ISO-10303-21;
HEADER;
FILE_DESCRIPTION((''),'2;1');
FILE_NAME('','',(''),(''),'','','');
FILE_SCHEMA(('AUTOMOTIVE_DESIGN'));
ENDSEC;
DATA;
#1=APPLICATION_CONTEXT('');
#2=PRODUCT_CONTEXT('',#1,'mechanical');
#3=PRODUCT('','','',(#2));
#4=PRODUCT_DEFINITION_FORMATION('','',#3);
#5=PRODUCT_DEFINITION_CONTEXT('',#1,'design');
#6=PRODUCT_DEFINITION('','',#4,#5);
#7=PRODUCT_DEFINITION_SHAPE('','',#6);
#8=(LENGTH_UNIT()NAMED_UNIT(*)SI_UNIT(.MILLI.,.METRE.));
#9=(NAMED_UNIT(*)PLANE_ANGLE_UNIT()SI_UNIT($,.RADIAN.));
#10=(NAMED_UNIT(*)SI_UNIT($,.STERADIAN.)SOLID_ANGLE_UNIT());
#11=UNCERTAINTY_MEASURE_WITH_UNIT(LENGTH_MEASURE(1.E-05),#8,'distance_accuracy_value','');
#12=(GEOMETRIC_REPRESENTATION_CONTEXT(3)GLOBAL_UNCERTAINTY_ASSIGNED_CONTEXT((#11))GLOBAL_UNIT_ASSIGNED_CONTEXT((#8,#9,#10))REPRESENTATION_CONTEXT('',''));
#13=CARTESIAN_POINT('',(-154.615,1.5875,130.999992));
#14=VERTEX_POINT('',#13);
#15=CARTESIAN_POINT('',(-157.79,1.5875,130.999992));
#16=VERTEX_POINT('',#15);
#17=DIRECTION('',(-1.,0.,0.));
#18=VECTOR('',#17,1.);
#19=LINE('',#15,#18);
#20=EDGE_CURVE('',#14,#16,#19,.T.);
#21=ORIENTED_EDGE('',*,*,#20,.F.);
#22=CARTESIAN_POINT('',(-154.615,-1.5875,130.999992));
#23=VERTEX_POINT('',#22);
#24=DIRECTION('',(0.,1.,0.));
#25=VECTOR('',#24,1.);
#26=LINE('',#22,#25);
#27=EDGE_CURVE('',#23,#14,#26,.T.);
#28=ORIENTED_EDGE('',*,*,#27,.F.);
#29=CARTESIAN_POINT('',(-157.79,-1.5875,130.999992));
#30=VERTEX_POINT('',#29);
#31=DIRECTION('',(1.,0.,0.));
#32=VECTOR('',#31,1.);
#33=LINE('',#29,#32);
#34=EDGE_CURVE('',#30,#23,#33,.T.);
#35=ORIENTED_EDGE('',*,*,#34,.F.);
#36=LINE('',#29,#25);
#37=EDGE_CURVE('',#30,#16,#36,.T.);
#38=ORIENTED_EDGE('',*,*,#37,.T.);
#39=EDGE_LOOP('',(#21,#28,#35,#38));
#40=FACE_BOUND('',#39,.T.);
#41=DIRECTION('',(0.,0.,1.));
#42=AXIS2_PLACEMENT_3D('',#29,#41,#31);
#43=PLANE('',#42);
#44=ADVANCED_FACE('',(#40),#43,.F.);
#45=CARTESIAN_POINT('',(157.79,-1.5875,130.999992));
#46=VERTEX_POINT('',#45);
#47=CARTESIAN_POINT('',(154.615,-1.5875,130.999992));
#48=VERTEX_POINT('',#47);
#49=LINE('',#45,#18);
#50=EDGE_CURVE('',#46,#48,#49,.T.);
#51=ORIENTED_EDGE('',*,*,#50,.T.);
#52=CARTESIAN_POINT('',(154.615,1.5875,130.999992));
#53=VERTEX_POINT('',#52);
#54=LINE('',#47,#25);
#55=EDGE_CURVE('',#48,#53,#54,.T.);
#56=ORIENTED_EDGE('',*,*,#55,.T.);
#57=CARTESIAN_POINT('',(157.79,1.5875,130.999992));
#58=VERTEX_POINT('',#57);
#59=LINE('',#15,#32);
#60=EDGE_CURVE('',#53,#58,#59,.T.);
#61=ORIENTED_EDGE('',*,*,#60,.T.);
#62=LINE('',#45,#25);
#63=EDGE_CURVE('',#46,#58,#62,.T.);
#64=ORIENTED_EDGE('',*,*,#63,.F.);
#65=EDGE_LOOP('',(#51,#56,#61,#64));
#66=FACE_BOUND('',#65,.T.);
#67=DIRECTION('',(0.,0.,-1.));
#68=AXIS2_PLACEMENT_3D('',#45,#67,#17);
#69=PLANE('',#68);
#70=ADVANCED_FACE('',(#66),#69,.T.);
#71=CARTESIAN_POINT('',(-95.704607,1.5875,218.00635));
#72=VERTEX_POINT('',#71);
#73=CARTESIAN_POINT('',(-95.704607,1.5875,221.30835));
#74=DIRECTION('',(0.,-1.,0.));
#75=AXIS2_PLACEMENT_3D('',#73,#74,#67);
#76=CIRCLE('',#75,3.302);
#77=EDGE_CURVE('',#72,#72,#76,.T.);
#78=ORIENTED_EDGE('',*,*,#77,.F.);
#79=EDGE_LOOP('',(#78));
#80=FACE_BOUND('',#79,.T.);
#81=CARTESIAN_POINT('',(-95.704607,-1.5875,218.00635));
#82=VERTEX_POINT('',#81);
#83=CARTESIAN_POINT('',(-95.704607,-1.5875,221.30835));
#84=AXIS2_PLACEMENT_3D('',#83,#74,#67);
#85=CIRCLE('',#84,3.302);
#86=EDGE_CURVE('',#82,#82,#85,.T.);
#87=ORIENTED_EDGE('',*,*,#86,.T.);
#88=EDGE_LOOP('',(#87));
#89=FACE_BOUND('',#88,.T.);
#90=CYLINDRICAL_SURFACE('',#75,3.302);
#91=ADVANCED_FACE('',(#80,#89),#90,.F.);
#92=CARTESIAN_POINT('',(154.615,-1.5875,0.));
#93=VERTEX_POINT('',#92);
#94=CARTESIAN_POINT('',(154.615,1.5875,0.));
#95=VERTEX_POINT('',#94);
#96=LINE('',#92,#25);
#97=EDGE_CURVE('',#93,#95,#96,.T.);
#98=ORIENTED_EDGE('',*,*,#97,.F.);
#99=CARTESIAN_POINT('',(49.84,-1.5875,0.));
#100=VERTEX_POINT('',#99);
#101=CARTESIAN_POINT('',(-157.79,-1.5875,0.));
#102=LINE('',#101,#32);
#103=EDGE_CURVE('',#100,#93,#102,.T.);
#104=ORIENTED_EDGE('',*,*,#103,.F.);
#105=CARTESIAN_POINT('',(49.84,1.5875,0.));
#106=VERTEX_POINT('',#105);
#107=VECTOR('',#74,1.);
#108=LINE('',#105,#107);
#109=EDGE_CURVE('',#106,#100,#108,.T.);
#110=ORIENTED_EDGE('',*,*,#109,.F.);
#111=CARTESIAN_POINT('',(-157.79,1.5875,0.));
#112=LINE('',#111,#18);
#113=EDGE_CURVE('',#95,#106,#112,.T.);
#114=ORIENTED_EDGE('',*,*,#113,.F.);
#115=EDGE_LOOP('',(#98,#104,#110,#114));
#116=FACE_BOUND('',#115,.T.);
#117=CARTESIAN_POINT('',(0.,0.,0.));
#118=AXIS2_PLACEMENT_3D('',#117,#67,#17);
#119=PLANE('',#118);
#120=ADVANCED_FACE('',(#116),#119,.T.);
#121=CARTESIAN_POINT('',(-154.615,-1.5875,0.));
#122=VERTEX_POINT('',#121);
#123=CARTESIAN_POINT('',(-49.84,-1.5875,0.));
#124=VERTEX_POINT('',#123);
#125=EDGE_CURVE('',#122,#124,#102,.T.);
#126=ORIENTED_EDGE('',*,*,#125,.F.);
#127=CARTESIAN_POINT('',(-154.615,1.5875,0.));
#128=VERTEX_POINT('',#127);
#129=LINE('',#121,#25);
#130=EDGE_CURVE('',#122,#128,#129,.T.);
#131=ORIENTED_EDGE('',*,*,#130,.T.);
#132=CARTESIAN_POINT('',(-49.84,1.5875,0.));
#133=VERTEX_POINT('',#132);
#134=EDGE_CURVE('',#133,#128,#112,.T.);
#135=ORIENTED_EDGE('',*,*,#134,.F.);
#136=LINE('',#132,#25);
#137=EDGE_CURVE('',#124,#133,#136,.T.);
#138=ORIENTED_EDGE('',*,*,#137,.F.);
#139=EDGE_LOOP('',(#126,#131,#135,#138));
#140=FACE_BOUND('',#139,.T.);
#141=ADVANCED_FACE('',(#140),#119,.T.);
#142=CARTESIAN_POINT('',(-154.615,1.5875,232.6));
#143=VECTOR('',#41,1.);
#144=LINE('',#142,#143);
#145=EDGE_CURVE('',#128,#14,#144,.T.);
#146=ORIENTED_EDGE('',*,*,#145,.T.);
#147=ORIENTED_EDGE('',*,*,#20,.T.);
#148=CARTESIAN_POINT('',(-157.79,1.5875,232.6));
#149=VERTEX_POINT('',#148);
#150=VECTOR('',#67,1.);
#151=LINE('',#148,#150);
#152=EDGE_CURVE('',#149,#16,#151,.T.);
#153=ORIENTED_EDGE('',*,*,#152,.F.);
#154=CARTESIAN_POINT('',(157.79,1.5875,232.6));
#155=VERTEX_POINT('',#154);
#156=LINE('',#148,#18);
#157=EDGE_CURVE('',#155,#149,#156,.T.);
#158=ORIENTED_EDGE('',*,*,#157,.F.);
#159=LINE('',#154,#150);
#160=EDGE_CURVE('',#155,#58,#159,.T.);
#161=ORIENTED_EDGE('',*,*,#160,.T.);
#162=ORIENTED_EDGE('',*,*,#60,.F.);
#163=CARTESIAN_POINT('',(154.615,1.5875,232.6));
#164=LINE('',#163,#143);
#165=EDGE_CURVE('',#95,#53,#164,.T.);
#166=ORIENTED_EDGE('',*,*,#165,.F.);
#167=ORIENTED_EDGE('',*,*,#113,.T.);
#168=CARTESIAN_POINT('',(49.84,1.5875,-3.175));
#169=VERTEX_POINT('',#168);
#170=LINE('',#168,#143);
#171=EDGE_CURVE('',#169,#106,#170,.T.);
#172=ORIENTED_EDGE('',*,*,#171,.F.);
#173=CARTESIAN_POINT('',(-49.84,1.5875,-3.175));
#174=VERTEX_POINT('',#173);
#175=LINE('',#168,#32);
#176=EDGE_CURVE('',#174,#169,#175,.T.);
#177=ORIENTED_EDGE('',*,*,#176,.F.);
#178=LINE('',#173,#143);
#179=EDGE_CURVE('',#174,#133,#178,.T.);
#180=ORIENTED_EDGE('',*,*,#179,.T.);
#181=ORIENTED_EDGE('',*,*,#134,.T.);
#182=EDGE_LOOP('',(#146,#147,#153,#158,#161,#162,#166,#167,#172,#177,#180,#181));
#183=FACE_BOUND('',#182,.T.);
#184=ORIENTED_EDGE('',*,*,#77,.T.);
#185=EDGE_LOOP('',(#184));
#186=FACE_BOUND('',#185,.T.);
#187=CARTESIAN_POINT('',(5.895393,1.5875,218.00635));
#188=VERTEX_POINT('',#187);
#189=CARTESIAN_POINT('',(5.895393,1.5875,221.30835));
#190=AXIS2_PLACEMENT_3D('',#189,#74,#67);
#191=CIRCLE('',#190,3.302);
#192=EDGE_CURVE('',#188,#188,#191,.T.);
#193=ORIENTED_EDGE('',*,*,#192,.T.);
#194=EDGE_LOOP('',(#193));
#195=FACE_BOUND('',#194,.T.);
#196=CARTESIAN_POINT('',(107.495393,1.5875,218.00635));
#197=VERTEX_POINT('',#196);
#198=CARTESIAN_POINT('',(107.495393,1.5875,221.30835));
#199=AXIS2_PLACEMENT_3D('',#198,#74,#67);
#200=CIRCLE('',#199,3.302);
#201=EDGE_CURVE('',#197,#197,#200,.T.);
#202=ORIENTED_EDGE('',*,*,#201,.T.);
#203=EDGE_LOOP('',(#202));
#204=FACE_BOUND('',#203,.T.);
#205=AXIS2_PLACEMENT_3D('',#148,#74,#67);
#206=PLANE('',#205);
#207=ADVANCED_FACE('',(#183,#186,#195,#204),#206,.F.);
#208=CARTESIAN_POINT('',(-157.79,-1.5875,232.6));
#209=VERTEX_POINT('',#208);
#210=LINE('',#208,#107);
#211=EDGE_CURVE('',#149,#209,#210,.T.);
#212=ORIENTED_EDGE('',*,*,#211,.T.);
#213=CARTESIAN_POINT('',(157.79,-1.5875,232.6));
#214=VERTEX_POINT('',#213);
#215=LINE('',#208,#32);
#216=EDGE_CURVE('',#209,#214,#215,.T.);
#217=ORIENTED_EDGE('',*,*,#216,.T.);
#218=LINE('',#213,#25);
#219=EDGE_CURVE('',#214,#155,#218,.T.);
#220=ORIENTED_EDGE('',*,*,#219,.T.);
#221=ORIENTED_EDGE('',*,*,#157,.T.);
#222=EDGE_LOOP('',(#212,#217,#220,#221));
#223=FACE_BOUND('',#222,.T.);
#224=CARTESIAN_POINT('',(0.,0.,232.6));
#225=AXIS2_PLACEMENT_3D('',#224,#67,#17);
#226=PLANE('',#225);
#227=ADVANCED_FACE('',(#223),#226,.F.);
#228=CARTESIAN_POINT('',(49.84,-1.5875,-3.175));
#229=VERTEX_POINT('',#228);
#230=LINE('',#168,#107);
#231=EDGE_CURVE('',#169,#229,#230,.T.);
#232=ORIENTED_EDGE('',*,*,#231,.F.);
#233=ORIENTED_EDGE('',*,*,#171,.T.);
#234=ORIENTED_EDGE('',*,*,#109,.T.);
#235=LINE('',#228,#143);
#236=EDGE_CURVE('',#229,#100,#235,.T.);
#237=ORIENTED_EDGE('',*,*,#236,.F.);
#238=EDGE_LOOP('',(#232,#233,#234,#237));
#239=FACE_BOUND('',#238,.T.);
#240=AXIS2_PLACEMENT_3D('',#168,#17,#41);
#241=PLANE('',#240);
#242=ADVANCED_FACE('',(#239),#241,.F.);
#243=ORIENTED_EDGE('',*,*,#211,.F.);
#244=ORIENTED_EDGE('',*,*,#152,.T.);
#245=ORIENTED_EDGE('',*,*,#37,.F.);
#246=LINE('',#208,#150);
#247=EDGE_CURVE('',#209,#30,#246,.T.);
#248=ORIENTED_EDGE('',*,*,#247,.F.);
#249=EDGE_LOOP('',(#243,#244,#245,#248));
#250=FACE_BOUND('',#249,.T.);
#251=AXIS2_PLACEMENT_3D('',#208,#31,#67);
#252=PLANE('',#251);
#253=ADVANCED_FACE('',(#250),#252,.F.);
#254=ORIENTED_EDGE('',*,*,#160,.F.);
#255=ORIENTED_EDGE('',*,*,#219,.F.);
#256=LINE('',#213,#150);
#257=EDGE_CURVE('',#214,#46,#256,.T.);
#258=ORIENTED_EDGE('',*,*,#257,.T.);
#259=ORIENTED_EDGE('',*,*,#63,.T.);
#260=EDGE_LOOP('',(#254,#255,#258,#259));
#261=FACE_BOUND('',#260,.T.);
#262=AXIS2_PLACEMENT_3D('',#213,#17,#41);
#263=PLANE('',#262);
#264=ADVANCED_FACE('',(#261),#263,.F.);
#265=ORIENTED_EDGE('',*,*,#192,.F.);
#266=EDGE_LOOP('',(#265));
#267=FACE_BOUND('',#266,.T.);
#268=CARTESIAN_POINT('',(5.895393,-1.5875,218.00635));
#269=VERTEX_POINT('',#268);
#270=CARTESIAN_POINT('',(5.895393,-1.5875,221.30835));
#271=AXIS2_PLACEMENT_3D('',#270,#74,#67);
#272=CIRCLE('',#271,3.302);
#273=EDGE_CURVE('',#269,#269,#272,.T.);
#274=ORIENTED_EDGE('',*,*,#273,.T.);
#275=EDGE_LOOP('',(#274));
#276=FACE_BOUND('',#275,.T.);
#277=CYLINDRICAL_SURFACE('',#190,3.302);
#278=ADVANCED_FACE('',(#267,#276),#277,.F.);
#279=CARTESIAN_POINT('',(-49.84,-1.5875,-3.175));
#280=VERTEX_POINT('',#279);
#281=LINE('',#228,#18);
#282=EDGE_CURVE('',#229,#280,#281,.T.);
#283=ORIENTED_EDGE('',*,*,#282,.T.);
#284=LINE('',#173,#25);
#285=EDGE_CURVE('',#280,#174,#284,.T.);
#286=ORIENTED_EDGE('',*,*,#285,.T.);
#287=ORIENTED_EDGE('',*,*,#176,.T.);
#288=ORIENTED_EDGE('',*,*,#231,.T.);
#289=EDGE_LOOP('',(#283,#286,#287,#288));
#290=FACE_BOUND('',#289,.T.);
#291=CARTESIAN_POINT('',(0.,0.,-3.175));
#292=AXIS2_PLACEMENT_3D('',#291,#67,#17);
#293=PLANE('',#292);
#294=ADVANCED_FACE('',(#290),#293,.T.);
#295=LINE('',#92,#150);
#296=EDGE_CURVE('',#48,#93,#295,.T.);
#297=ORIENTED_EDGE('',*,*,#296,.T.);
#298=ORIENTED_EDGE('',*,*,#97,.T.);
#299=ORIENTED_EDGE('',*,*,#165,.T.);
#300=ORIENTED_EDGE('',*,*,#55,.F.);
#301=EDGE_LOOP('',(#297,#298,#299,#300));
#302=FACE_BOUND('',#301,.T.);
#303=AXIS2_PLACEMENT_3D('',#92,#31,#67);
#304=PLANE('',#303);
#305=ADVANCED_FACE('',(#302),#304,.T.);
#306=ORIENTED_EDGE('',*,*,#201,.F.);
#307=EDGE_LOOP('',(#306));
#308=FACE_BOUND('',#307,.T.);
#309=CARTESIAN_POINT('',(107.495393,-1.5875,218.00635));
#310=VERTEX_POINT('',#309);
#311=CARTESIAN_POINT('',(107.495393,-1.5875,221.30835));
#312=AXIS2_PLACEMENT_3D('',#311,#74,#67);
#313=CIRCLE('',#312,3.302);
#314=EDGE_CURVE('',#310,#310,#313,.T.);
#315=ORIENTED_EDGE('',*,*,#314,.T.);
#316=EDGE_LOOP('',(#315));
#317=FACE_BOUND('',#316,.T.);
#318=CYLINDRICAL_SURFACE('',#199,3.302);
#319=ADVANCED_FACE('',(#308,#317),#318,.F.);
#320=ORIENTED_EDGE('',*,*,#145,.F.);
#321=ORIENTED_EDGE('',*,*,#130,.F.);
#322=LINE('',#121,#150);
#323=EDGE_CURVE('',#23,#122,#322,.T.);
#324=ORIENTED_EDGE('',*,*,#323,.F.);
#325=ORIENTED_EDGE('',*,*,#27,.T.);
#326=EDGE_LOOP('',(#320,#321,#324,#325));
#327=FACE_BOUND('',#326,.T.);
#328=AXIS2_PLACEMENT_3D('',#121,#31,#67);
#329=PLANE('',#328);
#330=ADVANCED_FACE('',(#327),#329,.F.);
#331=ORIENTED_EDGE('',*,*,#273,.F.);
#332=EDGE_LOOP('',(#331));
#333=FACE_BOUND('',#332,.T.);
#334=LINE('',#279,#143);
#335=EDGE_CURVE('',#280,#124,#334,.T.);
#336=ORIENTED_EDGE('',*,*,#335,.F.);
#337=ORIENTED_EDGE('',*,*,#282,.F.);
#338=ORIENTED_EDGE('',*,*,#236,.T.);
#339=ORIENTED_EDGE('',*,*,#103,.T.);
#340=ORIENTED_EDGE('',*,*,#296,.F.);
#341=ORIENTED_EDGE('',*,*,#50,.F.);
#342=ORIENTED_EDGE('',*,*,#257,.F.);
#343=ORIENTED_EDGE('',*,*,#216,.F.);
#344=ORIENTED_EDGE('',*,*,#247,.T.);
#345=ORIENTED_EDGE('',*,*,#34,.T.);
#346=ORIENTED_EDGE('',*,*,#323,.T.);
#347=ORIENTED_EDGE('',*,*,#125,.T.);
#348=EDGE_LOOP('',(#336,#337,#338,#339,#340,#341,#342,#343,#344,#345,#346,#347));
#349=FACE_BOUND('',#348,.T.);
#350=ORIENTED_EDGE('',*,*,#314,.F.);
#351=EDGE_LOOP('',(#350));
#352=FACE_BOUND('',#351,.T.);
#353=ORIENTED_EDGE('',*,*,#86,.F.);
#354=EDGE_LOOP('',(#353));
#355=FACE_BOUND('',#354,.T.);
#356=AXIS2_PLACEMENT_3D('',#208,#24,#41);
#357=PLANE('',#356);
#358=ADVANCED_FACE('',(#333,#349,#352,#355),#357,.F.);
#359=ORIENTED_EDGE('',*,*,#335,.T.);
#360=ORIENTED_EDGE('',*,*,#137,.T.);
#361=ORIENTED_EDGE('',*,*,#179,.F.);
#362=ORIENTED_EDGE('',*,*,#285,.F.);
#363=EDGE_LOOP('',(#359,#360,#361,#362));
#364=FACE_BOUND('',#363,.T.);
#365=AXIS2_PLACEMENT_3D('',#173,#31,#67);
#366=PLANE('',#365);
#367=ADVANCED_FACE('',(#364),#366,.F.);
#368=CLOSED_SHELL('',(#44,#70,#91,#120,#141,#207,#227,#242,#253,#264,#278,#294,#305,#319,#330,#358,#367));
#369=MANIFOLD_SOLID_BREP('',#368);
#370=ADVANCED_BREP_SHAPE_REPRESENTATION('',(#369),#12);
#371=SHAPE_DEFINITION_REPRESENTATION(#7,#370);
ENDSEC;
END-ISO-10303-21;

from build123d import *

# Parameters (mm, degrees)
SKETCH1_W           = 315.58
SKETCH1_H           = 3.175
BOSS_EXTRUDE1_DEPTH = 232.600000128
SKETCH5_W           = 3.175
SKETCH5_H           = 130.999992
CUT_EXTRUDE2_DEPTH  = 282.088108579
SKETCH7_R           = 3.302
CUT_EXTRUDE3_DEPTH  = 282.088108579
LPATTERN1_COUNT     = 3
LPATTERN1_PITCH     = 101.6
SKETCH10_W          = 99.68
SKETCH10_H          = 3.175
BOSS_EXTRUDE2_DEPTH = 3.175


with BuildPart() as part:
    # Sketch1 → Boss-Extrude1 (new body)
    with BuildSketch(Plane.XY):
        Rectangle(SKETCH1_W, SKETCH1_H)
    extrude(amount=BOSS_EXTRUDE1_DEPTH)

    # Sketch5 → Cut-Extrude2 (cut, symmetric)
    with BuildSketch(Plane(origin=(0, 1.5875, 0), x_dir=(1, 0, 0), z_dir=(0, 1, 0))):
        with Locations((-156.2025, -65.499996)):
            Rectangle(SKETCH5_W, SKETCH5_H)
    cut_extrude2 = extrude(amount=CUT_EXTRUDE2_DEPTH, both=True, mode=Mode.SUBTRACT)

    # Mirror1: Cut-Extrude2 across plane
    add(cut_extrude2.mirror(Plane(origin=(0, 0, 0), x_dir=(0, 0, 1), z_dir=(1, 0, 0))), mode=Mode.SUBTRACT)

    # Sketch7 → Cut-Extrude3 (cut, through all)
    with BuildSketch(Plane.XZ.offset(1.5875)):
        with Locations(Location((107.495393219, 221.30835, 0), (0, 0, 270))):
            Circle(SKETCH7_R)
    cut_extrude3 = extrude(amount=-CUT_EXTRUDE3_DEPTH, mode=Mode.SUBTRACT)

    # LPattern1: Cut-Extrude3 ×3
    with Locations(*[(-i * LPATTERN1_PITCH, 0, 0) for i in range(1, LPATTERN1_COUNT)]):
        add(cut_extrude3, mode=Mode.SUBTRACT)

    # Sketch10 → Boss-Extrude2 (add)
    with BuildSketch(Plane(origin=(0, 0, 0), x_dir=(-1, 0, 0), z_dir=(0, 0, -1))):
        Rectangle(SKETCH10_W, SKETCH10_H)
    extrude(amount=BOSS_EXTRUDE2_DEPTH)


solid = part.part
